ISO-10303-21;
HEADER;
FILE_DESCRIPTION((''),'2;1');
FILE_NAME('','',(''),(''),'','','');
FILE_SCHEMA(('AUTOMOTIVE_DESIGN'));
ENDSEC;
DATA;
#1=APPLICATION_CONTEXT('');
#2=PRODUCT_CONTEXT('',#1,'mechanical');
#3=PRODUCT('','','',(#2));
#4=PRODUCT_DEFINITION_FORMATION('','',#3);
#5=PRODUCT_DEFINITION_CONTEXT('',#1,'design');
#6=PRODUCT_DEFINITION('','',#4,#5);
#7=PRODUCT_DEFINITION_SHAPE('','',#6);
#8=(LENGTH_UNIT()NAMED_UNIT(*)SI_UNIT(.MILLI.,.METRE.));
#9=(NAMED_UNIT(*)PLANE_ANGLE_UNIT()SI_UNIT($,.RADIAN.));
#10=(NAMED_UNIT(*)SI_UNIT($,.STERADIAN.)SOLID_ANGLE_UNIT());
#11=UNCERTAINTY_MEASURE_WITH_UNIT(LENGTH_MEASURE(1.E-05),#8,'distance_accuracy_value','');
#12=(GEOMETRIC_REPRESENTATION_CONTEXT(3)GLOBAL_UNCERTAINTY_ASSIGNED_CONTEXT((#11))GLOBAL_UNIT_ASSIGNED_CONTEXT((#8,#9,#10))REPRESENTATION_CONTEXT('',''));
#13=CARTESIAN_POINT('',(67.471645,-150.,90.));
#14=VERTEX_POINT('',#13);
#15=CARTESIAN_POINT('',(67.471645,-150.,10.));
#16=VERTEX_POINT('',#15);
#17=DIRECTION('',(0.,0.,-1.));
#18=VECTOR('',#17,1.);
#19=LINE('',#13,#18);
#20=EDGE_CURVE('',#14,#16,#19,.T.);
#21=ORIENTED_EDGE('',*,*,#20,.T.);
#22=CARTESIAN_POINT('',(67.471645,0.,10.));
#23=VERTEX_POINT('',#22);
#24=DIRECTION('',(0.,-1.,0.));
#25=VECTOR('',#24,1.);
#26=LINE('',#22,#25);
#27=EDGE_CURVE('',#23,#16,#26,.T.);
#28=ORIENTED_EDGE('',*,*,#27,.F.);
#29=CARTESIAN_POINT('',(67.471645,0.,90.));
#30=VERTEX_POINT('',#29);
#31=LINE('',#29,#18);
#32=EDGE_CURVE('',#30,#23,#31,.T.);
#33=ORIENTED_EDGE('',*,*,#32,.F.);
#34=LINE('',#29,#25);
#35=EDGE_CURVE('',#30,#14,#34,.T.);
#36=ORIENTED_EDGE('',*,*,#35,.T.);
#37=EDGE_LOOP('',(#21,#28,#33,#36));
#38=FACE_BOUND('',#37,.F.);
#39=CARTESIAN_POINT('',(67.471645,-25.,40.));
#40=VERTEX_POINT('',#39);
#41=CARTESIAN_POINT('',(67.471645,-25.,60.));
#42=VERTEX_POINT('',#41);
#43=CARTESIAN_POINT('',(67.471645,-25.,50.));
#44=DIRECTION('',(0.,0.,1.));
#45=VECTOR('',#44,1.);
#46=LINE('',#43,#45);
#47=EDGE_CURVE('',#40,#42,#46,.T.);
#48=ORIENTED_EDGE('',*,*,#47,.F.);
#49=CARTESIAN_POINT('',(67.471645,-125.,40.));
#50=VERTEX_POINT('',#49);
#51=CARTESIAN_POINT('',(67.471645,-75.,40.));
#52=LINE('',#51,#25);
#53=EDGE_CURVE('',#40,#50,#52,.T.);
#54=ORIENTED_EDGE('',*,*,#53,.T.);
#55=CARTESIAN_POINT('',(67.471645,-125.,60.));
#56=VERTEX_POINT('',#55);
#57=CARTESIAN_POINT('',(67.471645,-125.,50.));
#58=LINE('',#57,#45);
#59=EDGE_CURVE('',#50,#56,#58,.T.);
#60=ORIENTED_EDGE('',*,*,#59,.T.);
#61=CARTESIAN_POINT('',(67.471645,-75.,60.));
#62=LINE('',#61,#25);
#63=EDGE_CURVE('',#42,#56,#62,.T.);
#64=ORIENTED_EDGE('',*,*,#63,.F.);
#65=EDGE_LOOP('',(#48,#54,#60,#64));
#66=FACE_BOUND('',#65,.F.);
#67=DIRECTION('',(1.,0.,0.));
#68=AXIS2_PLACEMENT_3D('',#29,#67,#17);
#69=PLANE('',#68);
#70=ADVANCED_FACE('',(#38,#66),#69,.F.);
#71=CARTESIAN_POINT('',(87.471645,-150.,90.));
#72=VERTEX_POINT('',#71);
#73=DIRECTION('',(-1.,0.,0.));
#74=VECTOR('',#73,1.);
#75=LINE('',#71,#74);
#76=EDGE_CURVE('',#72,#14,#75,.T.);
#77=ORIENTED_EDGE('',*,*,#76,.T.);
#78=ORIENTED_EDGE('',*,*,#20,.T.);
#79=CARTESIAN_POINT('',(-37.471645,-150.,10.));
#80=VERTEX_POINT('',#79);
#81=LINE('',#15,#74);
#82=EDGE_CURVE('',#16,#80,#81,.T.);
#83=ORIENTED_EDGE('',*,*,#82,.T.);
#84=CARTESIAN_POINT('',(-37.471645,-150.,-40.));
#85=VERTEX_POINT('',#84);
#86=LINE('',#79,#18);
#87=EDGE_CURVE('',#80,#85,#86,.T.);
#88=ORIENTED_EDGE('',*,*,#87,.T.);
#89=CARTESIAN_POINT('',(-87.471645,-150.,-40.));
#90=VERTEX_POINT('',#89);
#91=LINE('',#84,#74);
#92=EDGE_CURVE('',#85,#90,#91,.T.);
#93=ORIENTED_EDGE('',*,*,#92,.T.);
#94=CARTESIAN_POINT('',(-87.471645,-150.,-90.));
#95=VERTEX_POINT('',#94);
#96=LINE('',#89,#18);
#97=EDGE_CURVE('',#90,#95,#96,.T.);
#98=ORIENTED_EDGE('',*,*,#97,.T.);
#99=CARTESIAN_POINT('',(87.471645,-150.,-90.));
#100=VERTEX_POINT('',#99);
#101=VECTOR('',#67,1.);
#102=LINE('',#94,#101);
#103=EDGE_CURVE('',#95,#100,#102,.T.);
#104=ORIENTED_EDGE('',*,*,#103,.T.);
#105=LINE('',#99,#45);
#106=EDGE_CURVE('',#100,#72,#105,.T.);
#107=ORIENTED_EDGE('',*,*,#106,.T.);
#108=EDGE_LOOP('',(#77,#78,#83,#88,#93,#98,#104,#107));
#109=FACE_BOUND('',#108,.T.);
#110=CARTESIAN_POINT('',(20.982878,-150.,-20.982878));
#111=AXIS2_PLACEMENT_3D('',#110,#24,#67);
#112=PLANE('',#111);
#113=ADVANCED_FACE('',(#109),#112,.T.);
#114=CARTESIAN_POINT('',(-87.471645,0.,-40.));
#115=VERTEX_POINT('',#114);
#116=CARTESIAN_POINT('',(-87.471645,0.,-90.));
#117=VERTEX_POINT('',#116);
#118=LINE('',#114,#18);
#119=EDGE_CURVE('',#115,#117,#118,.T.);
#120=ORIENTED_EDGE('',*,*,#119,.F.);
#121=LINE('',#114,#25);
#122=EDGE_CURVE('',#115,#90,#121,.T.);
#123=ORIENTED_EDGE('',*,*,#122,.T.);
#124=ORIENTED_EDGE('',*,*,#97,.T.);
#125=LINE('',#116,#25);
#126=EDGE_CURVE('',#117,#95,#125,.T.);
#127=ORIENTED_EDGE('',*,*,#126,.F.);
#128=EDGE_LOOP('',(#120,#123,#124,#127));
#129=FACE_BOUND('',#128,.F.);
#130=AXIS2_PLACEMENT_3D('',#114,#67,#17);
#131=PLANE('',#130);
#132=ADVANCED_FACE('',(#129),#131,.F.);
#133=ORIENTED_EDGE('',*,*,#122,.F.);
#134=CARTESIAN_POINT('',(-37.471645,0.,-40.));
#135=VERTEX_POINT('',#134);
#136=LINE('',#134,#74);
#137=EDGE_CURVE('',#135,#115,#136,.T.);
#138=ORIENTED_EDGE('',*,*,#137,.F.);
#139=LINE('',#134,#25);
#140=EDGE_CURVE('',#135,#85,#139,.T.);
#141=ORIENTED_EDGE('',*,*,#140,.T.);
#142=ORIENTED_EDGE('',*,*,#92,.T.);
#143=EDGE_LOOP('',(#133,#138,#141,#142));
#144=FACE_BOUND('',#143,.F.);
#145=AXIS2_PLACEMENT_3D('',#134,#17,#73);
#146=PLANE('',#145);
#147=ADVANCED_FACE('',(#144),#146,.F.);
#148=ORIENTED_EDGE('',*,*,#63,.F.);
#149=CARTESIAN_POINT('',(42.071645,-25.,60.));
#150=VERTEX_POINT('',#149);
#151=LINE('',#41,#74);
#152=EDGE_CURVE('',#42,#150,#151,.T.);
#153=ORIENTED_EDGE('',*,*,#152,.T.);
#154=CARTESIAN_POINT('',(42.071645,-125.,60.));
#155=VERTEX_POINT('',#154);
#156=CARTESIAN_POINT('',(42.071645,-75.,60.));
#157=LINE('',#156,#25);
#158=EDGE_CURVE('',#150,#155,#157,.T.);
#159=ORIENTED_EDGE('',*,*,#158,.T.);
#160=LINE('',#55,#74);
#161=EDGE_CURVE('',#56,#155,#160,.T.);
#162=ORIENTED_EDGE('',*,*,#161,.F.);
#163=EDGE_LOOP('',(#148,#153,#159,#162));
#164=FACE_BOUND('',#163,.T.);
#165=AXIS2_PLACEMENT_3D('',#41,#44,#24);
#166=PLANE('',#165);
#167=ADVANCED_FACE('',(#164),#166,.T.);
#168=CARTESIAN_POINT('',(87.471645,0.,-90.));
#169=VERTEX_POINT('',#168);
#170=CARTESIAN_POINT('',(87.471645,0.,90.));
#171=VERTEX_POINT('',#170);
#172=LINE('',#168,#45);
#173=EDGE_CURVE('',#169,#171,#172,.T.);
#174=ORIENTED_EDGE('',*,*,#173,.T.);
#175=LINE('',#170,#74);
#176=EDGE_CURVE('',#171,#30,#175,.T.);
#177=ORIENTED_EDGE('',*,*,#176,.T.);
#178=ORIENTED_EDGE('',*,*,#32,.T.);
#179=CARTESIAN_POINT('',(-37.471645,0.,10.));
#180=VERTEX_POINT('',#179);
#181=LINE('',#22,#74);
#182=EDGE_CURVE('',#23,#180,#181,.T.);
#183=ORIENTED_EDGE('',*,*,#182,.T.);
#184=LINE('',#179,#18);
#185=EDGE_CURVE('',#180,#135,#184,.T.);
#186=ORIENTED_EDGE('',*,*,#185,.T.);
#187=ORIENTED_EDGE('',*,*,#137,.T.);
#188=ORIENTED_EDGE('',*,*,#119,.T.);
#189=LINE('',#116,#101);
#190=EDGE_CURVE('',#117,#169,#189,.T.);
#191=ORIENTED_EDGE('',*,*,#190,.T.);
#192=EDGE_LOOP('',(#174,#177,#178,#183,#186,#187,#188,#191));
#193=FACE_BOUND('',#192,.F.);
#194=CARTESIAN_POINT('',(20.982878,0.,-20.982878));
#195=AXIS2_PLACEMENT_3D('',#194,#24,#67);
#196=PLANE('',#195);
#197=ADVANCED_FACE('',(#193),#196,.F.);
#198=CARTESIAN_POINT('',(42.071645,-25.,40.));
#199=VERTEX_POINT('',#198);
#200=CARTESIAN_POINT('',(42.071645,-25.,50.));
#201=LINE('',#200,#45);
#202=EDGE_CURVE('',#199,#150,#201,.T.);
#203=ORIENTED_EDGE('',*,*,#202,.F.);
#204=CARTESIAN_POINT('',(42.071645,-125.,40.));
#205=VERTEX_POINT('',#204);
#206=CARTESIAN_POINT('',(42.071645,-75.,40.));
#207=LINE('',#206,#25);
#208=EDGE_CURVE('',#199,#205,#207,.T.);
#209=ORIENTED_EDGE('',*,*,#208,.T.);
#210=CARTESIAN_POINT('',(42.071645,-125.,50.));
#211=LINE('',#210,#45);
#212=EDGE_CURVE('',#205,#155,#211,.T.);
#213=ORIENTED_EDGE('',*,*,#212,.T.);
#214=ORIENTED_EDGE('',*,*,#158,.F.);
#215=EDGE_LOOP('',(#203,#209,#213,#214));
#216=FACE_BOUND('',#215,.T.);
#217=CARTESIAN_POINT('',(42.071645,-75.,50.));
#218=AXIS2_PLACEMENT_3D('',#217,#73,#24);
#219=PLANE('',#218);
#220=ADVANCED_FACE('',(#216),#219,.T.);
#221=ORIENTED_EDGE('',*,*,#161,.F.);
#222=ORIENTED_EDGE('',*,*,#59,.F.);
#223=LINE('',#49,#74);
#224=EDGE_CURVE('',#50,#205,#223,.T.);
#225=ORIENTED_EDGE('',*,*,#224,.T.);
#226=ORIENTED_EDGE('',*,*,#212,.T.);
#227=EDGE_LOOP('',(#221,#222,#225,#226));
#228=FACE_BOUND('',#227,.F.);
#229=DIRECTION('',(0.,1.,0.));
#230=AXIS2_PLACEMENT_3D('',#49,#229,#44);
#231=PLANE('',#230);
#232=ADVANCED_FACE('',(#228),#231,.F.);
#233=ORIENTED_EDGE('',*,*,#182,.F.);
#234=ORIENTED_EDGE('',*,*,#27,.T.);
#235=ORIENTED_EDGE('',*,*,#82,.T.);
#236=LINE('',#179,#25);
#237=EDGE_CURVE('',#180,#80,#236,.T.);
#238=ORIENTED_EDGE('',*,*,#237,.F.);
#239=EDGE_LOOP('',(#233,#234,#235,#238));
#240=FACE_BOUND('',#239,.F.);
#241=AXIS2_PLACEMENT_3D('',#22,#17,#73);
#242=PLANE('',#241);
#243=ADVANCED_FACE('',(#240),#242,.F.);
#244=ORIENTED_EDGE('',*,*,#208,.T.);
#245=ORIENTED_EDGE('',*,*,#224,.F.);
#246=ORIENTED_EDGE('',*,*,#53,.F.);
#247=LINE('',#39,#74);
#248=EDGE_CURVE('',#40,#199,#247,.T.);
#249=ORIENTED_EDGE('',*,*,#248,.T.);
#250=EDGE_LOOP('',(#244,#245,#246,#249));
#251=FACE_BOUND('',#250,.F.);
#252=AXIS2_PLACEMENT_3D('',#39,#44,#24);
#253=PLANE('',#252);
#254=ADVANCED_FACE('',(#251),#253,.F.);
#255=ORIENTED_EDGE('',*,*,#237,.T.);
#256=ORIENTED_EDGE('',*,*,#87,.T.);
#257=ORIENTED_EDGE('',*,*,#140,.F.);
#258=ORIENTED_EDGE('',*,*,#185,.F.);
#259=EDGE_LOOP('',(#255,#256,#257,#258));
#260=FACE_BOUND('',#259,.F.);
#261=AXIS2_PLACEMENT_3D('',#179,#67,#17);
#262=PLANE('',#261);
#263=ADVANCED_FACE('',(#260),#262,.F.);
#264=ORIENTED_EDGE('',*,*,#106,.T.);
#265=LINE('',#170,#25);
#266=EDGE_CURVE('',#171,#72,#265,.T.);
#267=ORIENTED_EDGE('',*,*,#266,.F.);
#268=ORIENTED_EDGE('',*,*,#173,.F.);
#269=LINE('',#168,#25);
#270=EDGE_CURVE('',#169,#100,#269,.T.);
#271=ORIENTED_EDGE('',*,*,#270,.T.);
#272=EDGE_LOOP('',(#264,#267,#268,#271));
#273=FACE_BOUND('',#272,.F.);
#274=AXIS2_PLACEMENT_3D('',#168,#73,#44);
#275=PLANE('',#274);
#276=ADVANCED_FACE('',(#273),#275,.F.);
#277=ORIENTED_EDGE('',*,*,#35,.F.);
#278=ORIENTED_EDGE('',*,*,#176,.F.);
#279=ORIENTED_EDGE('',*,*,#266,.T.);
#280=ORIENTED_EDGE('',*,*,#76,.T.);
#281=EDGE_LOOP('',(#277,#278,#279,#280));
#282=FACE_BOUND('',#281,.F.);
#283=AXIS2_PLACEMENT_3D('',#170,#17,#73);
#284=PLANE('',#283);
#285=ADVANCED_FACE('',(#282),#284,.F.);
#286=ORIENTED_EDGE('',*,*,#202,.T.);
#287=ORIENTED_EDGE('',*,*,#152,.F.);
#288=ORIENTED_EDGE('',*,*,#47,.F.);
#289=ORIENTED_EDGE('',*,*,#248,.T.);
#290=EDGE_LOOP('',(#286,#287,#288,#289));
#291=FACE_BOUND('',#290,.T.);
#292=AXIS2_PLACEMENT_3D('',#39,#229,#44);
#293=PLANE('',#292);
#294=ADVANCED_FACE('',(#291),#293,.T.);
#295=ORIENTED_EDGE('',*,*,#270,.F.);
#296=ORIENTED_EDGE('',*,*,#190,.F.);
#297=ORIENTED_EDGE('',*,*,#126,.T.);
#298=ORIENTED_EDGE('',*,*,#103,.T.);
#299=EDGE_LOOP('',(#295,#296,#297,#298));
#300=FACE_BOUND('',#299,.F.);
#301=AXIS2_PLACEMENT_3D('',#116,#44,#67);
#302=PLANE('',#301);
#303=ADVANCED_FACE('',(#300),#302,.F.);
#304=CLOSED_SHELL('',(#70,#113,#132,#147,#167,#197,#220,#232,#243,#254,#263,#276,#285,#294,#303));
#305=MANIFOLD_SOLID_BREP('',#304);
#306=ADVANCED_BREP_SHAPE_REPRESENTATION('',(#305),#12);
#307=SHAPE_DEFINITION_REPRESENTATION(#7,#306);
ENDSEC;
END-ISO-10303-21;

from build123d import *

# Parameters (mm, degrees)
F1_DEPTH = 150
F2_W     = 100
F2_H     = 20
F3_DEPTH = 25.4


with BuildPart() as f1:
    # F0 (on Front) → F1 (new body)
    with BuildSketch(Plane.XZ):
        Polygon((87.471645, 90), (67.471645, 90), (67.471645, 10), (-37.471645, 10), (-37.471645, -40), (-87.471645, -40), (-87.471645, -90), (87.471645, -90), align=None)
    extrude(amount=F1_DEPTH)

    # F2 (on face) → F3 (join)
    with BuildSketch(Plane(origin=(67.471645, 0, 0), x_dir=(0, -1, 0), z_dir=(-1, 0, 0))):
        with Locations((75, 50)):
            Rectangle(F2_W, F2_H)
    extrude(amount=F3_DEPTH)


solid = f1.part
